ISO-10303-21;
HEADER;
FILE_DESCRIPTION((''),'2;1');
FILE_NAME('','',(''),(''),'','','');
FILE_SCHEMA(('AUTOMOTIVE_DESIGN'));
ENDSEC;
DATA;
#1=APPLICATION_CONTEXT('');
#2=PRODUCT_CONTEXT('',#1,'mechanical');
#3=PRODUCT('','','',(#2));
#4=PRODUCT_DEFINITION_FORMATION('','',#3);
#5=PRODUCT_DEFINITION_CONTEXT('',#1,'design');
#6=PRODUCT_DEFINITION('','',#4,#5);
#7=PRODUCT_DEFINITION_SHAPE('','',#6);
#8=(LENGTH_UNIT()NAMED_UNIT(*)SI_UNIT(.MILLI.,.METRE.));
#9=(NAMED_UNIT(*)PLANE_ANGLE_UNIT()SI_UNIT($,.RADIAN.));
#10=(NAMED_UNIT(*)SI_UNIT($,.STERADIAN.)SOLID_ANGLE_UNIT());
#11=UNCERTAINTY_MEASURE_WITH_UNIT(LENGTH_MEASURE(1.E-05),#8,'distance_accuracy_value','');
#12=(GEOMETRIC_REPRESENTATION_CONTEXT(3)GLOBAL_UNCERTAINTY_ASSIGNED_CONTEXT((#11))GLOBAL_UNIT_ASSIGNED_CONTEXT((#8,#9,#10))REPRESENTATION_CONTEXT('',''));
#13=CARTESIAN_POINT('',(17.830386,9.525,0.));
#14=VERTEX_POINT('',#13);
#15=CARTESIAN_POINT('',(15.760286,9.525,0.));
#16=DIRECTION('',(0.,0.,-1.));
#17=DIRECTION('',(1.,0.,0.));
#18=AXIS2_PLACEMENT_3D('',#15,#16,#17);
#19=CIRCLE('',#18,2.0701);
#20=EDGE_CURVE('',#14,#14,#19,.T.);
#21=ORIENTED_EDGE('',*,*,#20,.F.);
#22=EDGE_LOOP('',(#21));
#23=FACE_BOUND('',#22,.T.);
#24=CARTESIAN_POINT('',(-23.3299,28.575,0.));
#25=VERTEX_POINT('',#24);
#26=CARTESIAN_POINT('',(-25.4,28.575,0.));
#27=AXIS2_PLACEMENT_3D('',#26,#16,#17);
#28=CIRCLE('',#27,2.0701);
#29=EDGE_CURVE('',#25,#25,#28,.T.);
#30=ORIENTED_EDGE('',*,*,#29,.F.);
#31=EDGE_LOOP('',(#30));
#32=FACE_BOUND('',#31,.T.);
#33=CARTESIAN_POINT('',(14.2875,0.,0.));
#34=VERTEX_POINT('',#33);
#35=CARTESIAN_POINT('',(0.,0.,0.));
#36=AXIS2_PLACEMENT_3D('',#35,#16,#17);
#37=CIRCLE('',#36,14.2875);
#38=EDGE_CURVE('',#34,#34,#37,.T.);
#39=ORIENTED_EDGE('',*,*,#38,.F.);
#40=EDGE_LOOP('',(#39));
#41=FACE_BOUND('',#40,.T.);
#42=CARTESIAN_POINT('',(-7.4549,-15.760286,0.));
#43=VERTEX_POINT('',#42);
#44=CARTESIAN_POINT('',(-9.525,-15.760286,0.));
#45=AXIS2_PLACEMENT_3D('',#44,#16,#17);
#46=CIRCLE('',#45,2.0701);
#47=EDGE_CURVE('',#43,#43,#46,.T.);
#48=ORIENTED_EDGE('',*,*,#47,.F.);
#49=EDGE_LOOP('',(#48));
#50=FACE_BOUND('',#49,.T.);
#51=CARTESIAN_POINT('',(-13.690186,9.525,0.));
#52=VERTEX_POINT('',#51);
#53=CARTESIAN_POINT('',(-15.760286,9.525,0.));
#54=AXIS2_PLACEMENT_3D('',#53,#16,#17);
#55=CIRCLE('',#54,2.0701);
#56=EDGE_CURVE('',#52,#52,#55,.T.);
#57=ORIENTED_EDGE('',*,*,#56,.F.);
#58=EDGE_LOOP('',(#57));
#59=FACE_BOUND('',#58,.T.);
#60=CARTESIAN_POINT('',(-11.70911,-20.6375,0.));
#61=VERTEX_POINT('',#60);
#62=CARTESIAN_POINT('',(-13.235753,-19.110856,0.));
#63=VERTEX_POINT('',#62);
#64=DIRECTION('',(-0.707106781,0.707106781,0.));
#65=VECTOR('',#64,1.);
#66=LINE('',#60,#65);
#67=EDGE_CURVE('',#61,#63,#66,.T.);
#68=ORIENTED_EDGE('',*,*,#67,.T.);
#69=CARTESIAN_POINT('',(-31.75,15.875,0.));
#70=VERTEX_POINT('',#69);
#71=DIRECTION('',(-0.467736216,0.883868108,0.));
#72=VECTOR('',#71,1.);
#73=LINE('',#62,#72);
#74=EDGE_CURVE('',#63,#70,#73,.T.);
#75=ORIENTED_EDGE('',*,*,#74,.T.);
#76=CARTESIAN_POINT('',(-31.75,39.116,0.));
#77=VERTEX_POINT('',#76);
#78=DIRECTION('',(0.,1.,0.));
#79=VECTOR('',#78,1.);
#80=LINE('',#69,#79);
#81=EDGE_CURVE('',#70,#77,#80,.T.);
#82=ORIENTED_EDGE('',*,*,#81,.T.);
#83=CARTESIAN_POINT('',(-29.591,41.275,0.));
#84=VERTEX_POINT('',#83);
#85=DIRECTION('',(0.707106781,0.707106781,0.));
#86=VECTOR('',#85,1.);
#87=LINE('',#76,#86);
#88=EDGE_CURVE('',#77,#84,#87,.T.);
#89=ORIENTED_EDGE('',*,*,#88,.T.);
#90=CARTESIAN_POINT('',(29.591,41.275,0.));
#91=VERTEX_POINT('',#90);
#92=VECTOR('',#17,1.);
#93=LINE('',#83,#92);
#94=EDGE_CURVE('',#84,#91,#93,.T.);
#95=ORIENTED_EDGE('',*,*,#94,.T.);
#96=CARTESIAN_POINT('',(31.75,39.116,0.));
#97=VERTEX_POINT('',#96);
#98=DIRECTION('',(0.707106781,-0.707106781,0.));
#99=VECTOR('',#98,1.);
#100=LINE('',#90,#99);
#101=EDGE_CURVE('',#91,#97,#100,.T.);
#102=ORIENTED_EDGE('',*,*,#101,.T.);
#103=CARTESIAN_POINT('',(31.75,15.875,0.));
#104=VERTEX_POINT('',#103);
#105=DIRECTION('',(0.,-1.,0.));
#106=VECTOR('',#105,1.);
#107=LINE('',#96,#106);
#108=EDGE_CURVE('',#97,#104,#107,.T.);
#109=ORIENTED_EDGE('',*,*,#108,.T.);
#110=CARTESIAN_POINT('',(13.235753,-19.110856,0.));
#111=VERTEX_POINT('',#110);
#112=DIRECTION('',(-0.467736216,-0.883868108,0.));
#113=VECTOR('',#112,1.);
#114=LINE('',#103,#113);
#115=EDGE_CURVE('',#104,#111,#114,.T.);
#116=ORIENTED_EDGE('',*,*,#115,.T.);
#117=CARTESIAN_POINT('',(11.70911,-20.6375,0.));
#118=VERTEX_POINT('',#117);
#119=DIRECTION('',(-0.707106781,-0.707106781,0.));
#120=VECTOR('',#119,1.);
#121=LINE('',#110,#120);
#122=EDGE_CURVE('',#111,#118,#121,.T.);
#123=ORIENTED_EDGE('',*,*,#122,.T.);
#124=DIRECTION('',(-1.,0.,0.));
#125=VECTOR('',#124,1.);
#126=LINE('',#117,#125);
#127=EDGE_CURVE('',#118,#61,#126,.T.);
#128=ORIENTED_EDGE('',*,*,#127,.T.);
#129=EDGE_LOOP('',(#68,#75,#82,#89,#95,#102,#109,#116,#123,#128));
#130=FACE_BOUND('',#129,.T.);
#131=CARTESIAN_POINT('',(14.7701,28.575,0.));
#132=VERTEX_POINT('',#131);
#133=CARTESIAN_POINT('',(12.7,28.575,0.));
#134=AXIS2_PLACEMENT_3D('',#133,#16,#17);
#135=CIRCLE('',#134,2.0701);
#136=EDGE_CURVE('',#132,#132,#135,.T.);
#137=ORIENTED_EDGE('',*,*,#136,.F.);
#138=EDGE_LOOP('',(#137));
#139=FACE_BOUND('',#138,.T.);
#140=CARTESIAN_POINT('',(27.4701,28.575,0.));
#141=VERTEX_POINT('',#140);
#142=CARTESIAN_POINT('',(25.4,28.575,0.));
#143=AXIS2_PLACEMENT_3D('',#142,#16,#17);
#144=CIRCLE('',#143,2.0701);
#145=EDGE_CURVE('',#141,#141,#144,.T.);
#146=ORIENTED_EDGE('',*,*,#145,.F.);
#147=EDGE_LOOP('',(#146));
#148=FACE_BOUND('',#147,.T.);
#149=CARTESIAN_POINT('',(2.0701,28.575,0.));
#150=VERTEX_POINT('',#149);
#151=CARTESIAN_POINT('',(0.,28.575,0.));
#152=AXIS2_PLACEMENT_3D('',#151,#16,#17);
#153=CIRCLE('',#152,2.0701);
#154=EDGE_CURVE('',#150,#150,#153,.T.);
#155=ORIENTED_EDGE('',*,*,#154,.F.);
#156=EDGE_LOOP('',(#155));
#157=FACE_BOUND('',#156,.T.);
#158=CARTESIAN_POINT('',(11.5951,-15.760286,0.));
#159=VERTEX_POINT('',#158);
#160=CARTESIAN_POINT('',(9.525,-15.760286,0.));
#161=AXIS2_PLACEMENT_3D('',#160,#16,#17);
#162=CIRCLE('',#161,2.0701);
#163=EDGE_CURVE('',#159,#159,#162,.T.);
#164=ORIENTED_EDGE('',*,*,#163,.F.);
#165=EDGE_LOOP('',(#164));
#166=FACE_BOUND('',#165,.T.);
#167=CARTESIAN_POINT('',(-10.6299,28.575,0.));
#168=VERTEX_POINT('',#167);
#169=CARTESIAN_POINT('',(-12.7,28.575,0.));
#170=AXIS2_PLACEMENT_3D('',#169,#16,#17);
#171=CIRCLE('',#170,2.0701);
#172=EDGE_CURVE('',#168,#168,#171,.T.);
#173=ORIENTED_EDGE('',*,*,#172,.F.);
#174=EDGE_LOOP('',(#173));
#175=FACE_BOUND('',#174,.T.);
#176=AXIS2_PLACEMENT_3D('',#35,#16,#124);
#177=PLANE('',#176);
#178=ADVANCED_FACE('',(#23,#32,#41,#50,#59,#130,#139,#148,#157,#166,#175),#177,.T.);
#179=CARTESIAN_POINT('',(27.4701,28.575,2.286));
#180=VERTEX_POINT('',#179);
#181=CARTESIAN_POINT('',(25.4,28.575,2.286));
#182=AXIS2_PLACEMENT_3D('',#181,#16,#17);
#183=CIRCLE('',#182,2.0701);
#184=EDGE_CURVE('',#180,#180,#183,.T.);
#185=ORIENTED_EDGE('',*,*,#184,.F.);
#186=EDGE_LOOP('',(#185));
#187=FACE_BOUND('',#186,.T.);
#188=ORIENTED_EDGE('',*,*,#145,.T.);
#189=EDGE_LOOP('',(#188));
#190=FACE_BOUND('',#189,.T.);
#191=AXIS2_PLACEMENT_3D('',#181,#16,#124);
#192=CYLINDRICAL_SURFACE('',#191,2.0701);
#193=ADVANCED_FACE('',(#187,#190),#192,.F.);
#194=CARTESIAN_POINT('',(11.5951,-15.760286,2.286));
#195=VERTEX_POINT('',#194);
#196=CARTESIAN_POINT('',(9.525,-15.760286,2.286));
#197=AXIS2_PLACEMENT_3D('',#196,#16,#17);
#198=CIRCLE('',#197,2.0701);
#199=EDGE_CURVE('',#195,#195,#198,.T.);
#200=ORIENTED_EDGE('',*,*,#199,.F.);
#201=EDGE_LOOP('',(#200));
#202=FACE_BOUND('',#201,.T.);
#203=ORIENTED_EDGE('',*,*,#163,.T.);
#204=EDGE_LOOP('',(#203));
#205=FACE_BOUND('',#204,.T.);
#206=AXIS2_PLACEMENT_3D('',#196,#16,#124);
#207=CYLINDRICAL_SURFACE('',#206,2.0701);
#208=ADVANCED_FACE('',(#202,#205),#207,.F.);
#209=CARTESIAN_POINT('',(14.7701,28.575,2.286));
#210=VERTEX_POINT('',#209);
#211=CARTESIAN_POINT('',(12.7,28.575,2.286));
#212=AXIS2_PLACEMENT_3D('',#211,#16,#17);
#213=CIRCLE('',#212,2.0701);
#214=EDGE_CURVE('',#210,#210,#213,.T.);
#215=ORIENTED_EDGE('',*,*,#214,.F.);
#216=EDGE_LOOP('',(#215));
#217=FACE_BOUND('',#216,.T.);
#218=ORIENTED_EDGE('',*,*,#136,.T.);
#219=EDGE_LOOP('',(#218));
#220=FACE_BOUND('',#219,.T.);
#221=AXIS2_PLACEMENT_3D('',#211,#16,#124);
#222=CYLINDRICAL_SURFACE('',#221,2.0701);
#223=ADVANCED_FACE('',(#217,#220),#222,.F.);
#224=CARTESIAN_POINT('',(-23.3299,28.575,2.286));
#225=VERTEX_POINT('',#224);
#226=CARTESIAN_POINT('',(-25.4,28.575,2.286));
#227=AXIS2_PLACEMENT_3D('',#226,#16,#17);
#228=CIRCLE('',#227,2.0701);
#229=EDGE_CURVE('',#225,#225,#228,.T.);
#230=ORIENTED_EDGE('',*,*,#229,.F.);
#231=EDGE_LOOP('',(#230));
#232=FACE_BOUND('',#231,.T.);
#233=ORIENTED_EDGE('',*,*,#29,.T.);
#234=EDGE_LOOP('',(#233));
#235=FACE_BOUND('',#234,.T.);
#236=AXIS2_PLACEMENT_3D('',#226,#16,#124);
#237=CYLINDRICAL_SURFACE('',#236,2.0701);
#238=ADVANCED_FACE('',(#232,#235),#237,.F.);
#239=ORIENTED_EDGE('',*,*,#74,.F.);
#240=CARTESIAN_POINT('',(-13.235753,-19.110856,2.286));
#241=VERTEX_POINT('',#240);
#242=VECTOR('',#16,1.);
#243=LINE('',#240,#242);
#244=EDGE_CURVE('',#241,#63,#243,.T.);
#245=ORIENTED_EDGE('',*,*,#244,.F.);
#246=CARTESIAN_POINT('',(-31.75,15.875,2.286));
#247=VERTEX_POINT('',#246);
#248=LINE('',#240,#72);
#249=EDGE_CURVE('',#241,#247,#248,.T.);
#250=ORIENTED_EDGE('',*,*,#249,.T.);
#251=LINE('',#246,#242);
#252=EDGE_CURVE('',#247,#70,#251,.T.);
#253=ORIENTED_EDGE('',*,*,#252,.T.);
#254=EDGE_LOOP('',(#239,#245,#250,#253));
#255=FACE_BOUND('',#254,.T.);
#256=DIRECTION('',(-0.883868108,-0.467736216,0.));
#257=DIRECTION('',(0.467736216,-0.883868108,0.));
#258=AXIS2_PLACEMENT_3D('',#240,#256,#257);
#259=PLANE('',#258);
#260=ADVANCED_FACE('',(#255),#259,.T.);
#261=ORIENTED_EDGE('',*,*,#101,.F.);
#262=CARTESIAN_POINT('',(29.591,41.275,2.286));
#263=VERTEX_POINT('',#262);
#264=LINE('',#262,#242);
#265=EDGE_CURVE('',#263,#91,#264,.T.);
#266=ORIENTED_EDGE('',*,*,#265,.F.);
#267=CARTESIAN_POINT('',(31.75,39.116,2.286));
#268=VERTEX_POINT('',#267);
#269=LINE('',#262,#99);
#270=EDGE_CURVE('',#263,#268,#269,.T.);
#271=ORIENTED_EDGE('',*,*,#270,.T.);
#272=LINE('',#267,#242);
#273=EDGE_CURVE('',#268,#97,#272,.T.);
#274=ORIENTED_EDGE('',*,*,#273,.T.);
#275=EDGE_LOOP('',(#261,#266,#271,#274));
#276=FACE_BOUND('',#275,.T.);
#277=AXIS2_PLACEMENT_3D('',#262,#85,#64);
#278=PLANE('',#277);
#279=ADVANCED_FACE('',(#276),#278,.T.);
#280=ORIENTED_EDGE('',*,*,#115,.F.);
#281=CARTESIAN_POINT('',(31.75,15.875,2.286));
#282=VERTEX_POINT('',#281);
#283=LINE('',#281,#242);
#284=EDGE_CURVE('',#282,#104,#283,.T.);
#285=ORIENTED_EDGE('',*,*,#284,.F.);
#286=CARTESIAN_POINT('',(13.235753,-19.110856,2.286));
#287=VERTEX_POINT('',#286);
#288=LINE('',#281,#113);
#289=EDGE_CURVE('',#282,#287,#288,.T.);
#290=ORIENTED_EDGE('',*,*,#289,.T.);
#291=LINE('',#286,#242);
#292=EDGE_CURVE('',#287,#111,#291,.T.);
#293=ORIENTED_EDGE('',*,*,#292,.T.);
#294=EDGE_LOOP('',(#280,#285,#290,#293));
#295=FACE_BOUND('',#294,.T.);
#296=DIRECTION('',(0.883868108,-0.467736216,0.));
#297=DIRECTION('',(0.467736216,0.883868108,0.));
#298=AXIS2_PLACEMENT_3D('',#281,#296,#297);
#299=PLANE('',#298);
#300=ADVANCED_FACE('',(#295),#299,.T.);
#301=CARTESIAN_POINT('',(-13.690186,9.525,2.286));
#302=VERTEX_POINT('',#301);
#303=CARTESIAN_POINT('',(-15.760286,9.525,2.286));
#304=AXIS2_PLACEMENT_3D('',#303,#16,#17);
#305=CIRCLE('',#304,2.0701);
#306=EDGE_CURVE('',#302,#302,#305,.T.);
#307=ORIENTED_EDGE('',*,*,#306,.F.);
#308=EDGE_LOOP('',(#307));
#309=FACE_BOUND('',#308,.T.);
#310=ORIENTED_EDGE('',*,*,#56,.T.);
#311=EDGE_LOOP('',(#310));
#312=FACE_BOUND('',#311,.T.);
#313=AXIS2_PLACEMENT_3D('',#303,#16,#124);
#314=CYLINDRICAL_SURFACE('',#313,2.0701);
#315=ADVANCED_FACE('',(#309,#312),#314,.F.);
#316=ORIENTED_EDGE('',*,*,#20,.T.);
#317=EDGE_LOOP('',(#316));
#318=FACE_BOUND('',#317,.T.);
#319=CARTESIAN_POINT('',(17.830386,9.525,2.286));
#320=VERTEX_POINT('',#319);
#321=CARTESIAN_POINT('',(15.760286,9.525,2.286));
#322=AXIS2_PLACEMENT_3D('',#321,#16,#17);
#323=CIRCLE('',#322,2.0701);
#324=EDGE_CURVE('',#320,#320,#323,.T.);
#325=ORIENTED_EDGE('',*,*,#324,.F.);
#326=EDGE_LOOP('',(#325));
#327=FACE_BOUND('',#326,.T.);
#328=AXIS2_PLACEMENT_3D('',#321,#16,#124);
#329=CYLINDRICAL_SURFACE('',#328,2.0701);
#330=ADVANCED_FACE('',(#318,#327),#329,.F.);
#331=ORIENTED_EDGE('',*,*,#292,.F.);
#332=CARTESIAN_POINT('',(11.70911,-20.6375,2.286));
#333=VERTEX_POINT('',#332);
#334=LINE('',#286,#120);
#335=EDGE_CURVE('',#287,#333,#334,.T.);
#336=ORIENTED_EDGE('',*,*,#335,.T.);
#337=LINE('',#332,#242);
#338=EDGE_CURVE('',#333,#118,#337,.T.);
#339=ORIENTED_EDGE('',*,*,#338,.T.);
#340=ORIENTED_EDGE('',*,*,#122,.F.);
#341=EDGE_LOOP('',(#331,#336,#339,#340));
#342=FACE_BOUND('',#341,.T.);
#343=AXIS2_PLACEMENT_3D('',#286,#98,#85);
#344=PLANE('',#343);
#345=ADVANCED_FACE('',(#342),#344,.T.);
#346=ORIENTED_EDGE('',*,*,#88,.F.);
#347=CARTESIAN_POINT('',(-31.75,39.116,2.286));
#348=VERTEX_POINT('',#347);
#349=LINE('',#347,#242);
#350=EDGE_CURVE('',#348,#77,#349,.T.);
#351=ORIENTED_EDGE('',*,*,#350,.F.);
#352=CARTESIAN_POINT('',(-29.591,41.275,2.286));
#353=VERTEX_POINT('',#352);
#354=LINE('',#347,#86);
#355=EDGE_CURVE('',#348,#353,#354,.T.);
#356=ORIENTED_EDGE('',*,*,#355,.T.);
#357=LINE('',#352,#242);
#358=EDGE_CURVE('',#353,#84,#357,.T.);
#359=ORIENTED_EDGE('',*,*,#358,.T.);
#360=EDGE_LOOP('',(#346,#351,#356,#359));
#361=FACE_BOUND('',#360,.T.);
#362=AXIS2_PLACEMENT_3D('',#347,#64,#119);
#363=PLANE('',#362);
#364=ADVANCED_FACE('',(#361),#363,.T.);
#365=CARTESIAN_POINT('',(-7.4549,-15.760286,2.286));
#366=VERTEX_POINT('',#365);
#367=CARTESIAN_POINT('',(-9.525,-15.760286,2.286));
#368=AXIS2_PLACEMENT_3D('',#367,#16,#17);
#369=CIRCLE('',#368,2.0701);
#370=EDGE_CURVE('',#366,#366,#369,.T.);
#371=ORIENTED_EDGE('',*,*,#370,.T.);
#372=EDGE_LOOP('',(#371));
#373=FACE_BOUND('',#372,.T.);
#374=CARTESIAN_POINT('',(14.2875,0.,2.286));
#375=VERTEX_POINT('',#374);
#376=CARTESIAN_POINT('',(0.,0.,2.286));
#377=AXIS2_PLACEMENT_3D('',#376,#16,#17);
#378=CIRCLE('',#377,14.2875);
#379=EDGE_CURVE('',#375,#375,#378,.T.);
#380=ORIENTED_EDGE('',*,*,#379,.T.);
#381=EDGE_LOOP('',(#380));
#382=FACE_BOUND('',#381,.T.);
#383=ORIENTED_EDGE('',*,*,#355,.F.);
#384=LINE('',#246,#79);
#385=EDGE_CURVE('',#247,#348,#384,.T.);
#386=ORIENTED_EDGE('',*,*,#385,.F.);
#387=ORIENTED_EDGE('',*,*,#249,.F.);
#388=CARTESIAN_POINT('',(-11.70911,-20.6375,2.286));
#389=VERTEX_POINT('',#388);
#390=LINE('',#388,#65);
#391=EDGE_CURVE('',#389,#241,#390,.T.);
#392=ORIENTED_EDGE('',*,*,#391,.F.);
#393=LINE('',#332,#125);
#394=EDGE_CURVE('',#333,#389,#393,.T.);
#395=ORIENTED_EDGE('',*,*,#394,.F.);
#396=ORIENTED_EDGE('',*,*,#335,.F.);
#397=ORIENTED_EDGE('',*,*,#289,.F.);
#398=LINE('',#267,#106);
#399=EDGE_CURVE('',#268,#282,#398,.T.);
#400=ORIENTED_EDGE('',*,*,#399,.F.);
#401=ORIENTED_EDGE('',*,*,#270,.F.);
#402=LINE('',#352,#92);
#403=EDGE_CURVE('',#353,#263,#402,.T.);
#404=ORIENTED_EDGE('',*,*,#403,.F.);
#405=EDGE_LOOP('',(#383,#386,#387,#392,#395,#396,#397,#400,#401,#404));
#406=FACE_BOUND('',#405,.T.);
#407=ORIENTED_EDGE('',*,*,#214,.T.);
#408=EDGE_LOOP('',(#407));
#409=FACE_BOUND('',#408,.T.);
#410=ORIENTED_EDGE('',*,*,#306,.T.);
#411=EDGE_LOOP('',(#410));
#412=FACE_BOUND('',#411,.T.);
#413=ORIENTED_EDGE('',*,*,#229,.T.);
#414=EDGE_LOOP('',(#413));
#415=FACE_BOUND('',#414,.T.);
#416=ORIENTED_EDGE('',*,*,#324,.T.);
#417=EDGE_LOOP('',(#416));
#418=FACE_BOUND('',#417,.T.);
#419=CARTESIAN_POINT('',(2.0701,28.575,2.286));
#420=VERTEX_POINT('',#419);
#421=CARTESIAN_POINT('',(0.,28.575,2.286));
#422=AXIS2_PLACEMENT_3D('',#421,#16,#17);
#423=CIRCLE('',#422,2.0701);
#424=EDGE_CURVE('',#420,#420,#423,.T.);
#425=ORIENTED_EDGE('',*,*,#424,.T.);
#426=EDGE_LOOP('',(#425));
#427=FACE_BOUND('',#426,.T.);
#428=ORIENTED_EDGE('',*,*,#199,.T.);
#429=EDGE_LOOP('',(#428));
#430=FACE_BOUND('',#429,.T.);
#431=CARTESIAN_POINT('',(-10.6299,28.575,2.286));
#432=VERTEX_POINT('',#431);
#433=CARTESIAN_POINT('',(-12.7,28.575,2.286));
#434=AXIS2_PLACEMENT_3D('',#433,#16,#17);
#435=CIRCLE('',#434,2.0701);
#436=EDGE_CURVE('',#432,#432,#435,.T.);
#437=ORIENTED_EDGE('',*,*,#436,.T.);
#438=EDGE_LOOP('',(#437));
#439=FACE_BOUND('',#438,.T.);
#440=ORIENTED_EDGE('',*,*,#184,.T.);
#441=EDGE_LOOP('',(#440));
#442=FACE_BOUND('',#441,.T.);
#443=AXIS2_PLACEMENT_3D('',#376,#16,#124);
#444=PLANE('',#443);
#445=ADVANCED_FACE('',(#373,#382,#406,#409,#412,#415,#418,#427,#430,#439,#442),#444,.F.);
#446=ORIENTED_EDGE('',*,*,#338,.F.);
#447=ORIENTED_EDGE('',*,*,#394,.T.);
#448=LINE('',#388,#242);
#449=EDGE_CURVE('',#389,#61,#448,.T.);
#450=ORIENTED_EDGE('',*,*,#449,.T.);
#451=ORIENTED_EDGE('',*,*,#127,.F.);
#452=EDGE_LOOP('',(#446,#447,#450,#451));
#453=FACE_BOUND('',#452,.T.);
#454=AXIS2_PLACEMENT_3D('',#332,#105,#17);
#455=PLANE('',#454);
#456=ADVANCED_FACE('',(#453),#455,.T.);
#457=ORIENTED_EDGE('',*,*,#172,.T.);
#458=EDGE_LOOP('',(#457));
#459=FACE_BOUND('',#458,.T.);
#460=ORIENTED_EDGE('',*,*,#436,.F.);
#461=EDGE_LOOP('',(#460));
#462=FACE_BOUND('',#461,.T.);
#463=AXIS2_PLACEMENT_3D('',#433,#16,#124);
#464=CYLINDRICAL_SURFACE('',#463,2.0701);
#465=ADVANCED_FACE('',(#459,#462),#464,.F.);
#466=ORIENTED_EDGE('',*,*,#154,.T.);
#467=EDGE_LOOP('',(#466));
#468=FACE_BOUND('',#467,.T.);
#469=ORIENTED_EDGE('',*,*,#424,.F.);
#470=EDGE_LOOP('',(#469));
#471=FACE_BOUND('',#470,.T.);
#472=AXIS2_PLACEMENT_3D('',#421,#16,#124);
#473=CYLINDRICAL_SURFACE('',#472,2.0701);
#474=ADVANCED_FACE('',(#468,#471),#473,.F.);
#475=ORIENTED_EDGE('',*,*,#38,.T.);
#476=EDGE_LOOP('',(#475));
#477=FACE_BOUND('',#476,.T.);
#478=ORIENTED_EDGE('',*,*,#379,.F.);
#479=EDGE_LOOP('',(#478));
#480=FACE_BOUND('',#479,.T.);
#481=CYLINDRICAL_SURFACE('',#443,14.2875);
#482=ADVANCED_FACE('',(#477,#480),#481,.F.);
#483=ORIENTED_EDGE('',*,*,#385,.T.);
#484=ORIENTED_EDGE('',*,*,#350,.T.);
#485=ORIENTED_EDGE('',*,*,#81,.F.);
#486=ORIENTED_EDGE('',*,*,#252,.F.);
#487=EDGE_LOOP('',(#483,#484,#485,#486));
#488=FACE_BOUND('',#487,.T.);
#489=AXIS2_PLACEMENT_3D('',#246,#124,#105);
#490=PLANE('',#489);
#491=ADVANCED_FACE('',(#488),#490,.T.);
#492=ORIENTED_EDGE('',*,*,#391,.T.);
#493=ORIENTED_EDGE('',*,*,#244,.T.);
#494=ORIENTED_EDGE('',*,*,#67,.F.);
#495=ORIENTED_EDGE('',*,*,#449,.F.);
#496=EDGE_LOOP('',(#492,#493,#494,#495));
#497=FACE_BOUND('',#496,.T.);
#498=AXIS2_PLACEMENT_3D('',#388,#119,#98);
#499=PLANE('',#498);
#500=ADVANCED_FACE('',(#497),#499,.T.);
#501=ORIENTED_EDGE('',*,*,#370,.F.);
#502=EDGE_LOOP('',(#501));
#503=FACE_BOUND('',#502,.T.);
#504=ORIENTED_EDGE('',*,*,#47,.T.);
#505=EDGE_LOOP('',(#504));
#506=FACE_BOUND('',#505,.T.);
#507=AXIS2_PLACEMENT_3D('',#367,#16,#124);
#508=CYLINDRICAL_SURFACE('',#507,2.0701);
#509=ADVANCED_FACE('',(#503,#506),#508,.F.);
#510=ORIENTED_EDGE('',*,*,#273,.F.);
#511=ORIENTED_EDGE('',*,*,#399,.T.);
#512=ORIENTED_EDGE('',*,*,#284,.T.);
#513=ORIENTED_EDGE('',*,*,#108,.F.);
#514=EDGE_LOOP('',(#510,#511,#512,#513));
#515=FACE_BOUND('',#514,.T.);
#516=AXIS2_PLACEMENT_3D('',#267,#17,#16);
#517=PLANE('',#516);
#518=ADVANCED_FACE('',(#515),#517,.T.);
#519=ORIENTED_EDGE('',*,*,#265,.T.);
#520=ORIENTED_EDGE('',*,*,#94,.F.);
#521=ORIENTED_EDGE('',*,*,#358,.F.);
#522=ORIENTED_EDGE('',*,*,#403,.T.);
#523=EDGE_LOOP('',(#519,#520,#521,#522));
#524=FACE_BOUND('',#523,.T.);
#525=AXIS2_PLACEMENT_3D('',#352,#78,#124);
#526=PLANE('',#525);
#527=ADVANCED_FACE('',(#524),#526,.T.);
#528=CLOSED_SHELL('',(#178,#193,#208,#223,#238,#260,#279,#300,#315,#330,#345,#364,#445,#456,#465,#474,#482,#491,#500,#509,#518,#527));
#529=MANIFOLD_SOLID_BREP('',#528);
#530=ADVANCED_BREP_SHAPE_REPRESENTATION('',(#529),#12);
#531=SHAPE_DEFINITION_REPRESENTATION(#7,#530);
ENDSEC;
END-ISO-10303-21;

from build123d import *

# Parameters (mm, degrees)
SKETCH1_R           = 2.0701
SKETCH1_R_2         = 14.2875
BOSS_EXTRUDE1_DEPTH = 2.286


with BuildPart() as part:
    # Sketch1 → Boss-Extrude1 (new body)
    with BuildSketch(Plane(origin=(0, 0, 0), x_dir=(-1, 0, 0), z_dir=(0, 0, -1))):
        Polygon((-29.591, 41.275), (-31.75, 39.116), (-31.75, 15.875), (-13.235753401, -19.110856459), (-11.70910986, -20.6375), (11.70910986, -20.6375), (13.235753401, -19.110856459), (31.75, 15.875), (31.75, 39.116), (29.591, 41.275), align=None)
        with Locations((-15.76028553, 9.525)):
            Circle(SKETCH1_R, mode=Mode.SUBTRACT)
        with Locations((9.525, -15.76028553)):
            Circle(SKETCH1_R, mode=Mode.SUBTRACT)
        with Locations((-12.7, 28.575)):
            Circle(SKETCH1_R, mode=Mode.SUBTRACT)
        with Locations((12.7, 28.575)):
            Circle(SKETCH1_R, mode=Mode.SUBTRACT)
        with Locations((25.4, 28.575)):
            Circle(SKETCH1_R, mode=Mode.SUBTRACT)
        Circle(SKETCH1_R_2, mode=Mode.SUBTRACT)
        with Locations((-25.4, 28.575)):
            Circle(SKETCH1_R, mode=Mode.SUBTRACT)
        with Locations((0, 28.575)):
            Circle(SKETCH1_R, mode=Mode.SUBTRACT)
        with Locations((15.76028553, 9.525)):
            Circle(SKETCH1_R, mode=Mode.SUBTRACT)
        with Locations((-9.525, -15.76028553)):
            Circle(SKETCH1_R, mode=Mode.SUBTRACT)
    extrude(amount=-BOSS_EXTRUDE1_DEPTH)


solid = part.part
